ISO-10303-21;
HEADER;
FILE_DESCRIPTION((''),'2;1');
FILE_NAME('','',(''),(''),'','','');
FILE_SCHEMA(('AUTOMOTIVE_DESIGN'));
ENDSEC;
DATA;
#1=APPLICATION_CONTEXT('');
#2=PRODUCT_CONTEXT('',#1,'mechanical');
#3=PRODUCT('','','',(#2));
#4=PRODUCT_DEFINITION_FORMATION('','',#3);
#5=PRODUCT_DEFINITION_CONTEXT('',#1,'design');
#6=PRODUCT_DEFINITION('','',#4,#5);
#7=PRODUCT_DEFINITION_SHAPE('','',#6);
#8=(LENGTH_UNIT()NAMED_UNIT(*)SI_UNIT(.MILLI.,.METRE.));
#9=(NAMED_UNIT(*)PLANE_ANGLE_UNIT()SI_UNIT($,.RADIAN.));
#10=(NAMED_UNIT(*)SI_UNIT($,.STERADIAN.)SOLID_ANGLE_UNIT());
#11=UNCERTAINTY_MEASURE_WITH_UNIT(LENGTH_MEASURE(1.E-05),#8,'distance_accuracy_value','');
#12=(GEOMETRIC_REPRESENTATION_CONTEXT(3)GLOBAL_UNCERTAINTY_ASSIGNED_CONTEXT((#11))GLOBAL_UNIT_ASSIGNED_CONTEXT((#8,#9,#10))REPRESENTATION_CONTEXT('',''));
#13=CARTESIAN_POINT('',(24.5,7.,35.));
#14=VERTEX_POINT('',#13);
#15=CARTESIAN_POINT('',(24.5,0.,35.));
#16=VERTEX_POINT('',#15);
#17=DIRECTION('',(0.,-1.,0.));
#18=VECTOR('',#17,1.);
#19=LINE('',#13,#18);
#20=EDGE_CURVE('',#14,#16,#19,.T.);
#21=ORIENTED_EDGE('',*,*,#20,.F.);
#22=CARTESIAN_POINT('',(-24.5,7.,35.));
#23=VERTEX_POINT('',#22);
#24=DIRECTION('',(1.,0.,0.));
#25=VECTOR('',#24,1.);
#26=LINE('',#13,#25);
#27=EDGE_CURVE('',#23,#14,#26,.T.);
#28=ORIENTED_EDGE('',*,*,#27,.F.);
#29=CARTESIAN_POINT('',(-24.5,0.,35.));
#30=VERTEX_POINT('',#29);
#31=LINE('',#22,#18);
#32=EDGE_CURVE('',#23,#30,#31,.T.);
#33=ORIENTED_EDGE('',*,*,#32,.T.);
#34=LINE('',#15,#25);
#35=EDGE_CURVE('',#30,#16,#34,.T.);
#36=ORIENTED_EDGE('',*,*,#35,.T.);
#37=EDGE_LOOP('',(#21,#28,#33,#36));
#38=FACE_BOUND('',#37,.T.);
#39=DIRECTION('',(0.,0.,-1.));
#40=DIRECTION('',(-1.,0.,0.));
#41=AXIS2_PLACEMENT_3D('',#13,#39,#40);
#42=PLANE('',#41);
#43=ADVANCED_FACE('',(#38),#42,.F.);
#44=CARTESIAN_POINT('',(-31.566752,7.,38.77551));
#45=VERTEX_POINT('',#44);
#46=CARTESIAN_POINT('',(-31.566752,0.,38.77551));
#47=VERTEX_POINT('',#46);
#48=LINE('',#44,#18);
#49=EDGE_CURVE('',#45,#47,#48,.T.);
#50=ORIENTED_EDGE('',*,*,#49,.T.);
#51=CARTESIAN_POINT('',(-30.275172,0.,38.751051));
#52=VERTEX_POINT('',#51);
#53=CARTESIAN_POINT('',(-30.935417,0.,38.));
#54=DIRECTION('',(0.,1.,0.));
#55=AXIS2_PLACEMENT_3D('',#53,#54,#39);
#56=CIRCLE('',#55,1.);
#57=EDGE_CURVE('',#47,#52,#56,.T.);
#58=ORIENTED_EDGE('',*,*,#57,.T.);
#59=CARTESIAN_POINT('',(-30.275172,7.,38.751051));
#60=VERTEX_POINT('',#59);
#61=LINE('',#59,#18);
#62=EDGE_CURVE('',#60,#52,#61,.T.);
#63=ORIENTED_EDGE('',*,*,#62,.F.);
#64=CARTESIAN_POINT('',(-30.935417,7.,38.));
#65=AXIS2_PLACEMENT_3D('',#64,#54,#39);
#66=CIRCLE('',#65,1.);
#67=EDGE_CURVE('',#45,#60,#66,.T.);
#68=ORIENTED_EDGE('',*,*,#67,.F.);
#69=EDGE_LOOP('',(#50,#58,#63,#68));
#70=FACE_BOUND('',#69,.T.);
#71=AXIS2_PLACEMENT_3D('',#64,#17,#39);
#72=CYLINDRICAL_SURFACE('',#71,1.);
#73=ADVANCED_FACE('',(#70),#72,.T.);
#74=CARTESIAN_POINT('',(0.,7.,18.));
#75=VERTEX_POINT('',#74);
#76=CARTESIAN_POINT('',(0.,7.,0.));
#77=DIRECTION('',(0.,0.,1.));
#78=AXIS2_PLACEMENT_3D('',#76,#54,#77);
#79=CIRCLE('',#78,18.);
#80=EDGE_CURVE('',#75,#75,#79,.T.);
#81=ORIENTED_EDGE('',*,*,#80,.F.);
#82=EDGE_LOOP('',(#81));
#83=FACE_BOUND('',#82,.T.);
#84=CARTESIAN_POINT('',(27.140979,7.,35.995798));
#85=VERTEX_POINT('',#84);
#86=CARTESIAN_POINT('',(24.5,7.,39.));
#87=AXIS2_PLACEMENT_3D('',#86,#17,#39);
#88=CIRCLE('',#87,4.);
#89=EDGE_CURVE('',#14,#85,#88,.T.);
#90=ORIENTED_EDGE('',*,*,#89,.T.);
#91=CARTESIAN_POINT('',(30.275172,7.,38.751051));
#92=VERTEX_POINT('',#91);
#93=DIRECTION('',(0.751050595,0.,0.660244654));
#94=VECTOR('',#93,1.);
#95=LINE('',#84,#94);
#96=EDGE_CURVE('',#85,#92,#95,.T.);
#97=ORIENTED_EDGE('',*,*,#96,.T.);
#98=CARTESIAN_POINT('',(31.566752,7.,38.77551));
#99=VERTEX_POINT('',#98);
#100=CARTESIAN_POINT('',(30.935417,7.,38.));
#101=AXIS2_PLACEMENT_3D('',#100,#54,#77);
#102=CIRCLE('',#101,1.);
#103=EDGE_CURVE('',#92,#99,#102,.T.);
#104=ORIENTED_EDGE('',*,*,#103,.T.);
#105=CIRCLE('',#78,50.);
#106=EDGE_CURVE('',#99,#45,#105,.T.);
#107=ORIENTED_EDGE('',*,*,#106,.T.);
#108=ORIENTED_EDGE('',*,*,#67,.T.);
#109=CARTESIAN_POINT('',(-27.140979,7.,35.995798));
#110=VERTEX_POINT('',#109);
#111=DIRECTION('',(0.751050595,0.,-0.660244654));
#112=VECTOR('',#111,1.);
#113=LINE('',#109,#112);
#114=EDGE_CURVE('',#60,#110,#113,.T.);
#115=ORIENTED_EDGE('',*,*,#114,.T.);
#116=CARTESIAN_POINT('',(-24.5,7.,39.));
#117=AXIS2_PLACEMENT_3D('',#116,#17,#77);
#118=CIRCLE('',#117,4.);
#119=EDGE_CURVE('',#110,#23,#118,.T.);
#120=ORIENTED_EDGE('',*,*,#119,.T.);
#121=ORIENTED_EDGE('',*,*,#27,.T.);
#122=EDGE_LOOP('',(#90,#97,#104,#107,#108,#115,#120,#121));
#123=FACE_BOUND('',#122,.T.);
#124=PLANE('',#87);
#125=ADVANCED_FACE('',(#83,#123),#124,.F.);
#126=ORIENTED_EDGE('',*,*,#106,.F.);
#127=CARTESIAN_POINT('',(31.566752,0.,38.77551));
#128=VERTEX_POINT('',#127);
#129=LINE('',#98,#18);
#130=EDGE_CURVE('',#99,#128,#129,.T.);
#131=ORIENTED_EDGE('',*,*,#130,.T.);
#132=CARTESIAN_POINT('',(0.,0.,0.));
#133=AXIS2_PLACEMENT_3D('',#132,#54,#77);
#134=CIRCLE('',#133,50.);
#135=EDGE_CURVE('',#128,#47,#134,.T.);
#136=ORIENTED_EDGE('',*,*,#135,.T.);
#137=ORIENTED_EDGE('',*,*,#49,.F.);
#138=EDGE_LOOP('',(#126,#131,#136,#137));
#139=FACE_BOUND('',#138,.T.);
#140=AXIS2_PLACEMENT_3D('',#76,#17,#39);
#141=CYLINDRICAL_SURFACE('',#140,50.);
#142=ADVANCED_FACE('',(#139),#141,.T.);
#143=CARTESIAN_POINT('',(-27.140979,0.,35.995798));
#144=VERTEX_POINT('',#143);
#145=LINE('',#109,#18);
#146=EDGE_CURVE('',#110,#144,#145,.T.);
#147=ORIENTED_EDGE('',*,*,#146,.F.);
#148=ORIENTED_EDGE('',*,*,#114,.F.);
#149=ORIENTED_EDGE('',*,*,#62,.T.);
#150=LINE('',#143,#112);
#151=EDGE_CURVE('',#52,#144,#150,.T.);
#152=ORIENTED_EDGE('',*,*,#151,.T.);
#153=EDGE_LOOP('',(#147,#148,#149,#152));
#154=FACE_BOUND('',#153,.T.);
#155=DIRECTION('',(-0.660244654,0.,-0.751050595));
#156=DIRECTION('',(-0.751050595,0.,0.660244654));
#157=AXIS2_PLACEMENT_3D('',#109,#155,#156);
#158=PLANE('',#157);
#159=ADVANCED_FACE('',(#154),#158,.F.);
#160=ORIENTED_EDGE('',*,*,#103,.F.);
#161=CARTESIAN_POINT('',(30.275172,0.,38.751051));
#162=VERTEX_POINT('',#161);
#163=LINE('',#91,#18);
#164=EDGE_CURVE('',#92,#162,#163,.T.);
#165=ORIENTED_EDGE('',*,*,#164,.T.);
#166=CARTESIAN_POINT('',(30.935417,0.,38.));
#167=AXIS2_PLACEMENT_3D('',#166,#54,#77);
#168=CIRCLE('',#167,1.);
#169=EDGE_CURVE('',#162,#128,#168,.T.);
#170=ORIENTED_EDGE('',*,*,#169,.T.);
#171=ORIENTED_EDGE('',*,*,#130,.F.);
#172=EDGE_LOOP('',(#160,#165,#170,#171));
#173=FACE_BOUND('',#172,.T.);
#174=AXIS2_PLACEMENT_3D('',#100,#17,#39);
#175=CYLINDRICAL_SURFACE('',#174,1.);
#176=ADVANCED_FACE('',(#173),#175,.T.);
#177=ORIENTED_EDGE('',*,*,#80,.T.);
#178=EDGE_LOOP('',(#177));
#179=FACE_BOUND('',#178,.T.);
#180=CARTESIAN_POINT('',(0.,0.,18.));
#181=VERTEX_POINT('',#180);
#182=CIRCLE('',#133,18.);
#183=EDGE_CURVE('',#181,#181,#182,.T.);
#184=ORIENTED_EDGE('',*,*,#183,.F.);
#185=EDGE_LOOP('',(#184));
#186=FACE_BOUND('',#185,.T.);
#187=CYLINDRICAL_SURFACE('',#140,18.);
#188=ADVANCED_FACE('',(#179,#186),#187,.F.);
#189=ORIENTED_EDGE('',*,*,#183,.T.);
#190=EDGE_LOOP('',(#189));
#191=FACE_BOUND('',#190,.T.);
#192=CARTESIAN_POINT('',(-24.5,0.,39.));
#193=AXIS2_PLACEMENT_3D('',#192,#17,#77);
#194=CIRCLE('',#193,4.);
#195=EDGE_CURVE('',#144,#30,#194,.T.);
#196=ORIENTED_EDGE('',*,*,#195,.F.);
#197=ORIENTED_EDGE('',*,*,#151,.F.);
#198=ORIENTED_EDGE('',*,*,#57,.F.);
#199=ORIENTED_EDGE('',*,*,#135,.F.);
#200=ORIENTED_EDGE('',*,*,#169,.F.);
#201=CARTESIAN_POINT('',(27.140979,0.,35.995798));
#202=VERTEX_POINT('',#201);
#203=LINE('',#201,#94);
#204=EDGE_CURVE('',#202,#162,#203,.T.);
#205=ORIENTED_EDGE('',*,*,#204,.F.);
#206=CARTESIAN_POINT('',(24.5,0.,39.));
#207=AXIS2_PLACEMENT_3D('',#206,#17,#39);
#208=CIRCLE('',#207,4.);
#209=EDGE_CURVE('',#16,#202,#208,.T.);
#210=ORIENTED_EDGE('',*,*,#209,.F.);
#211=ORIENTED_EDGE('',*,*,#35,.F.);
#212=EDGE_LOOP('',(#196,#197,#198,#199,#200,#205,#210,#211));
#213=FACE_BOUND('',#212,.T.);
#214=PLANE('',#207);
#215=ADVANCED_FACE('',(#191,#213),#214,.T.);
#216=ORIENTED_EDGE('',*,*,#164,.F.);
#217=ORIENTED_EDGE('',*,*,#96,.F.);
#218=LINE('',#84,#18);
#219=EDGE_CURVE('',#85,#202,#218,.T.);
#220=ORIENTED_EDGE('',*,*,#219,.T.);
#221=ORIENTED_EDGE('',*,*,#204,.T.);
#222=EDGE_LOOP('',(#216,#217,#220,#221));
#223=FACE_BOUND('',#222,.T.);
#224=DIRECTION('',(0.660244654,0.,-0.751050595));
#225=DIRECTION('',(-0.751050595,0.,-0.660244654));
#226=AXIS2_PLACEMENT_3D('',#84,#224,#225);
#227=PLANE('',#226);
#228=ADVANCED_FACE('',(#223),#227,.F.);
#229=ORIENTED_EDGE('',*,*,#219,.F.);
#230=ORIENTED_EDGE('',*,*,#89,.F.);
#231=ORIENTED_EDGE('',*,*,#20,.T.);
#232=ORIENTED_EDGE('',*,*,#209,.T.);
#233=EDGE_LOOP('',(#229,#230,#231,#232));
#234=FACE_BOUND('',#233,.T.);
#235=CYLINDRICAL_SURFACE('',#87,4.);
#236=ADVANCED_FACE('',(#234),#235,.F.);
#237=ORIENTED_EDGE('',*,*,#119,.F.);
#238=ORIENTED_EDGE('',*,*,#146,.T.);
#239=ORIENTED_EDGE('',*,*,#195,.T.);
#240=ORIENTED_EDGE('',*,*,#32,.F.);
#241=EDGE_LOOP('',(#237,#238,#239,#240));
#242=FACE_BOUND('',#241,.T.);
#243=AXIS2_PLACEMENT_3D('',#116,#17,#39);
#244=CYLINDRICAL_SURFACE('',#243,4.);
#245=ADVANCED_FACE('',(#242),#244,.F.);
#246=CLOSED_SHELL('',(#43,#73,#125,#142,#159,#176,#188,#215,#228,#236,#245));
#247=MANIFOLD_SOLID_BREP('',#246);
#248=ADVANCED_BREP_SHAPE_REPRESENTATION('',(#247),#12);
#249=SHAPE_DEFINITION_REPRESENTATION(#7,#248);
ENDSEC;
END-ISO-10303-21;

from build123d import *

# Parameters (mm, degrees)
SKETCH1_R           = 18
BOSS_EXTRUDE1_DEPTH = 7


with BuildPart() as part:
    # Sketch1 → Boss-Extrude1 (new body)
    with BuildSketch(Plane(origin=(0, 0, 0), x_dir=(1, 0, 0), z_dir=(0, 1, 0))):
        with BuildLine():
            Line((24.5, -35), (-24.5, -35))
            ThreePointArc((-24.5, -35), (-25.911238902, -35.257219648), (-27.140978616, -35.995797619))
            Line((-27.140978616, -35.995797619), (-30.275171942, -38.751050595))
            ThreePointArc((-30.275171942, -38.751050595), (-30.916482245, -38.999820729), (-31.566751629, -38.775510204))
            ThreePointArc((-31.566751629, -38.775510204), (0, 50), (31.566751629, -38.775510204))
            ThreePointArc((31.566751629, -38.775510204), (30.916482245, -38.999820729), (30.275171942, -38.751050595))
            Line((30.275171942, -38.751050595), (27.140978616, -35.995797619))
            ThreePointArc((27.140978616, -35.995797619), (25.911238902, -35.257219648), (24.5, -35))
        make_face()
        with Locations(Location((0, 0, 0), (0, 0, 270))):
            Circle(SKETCH1_R, mode=Mode.SUBTRACT)
    extrude(amount=BOSS_EXTRUDE1_DEPTH)


solid = part.part
